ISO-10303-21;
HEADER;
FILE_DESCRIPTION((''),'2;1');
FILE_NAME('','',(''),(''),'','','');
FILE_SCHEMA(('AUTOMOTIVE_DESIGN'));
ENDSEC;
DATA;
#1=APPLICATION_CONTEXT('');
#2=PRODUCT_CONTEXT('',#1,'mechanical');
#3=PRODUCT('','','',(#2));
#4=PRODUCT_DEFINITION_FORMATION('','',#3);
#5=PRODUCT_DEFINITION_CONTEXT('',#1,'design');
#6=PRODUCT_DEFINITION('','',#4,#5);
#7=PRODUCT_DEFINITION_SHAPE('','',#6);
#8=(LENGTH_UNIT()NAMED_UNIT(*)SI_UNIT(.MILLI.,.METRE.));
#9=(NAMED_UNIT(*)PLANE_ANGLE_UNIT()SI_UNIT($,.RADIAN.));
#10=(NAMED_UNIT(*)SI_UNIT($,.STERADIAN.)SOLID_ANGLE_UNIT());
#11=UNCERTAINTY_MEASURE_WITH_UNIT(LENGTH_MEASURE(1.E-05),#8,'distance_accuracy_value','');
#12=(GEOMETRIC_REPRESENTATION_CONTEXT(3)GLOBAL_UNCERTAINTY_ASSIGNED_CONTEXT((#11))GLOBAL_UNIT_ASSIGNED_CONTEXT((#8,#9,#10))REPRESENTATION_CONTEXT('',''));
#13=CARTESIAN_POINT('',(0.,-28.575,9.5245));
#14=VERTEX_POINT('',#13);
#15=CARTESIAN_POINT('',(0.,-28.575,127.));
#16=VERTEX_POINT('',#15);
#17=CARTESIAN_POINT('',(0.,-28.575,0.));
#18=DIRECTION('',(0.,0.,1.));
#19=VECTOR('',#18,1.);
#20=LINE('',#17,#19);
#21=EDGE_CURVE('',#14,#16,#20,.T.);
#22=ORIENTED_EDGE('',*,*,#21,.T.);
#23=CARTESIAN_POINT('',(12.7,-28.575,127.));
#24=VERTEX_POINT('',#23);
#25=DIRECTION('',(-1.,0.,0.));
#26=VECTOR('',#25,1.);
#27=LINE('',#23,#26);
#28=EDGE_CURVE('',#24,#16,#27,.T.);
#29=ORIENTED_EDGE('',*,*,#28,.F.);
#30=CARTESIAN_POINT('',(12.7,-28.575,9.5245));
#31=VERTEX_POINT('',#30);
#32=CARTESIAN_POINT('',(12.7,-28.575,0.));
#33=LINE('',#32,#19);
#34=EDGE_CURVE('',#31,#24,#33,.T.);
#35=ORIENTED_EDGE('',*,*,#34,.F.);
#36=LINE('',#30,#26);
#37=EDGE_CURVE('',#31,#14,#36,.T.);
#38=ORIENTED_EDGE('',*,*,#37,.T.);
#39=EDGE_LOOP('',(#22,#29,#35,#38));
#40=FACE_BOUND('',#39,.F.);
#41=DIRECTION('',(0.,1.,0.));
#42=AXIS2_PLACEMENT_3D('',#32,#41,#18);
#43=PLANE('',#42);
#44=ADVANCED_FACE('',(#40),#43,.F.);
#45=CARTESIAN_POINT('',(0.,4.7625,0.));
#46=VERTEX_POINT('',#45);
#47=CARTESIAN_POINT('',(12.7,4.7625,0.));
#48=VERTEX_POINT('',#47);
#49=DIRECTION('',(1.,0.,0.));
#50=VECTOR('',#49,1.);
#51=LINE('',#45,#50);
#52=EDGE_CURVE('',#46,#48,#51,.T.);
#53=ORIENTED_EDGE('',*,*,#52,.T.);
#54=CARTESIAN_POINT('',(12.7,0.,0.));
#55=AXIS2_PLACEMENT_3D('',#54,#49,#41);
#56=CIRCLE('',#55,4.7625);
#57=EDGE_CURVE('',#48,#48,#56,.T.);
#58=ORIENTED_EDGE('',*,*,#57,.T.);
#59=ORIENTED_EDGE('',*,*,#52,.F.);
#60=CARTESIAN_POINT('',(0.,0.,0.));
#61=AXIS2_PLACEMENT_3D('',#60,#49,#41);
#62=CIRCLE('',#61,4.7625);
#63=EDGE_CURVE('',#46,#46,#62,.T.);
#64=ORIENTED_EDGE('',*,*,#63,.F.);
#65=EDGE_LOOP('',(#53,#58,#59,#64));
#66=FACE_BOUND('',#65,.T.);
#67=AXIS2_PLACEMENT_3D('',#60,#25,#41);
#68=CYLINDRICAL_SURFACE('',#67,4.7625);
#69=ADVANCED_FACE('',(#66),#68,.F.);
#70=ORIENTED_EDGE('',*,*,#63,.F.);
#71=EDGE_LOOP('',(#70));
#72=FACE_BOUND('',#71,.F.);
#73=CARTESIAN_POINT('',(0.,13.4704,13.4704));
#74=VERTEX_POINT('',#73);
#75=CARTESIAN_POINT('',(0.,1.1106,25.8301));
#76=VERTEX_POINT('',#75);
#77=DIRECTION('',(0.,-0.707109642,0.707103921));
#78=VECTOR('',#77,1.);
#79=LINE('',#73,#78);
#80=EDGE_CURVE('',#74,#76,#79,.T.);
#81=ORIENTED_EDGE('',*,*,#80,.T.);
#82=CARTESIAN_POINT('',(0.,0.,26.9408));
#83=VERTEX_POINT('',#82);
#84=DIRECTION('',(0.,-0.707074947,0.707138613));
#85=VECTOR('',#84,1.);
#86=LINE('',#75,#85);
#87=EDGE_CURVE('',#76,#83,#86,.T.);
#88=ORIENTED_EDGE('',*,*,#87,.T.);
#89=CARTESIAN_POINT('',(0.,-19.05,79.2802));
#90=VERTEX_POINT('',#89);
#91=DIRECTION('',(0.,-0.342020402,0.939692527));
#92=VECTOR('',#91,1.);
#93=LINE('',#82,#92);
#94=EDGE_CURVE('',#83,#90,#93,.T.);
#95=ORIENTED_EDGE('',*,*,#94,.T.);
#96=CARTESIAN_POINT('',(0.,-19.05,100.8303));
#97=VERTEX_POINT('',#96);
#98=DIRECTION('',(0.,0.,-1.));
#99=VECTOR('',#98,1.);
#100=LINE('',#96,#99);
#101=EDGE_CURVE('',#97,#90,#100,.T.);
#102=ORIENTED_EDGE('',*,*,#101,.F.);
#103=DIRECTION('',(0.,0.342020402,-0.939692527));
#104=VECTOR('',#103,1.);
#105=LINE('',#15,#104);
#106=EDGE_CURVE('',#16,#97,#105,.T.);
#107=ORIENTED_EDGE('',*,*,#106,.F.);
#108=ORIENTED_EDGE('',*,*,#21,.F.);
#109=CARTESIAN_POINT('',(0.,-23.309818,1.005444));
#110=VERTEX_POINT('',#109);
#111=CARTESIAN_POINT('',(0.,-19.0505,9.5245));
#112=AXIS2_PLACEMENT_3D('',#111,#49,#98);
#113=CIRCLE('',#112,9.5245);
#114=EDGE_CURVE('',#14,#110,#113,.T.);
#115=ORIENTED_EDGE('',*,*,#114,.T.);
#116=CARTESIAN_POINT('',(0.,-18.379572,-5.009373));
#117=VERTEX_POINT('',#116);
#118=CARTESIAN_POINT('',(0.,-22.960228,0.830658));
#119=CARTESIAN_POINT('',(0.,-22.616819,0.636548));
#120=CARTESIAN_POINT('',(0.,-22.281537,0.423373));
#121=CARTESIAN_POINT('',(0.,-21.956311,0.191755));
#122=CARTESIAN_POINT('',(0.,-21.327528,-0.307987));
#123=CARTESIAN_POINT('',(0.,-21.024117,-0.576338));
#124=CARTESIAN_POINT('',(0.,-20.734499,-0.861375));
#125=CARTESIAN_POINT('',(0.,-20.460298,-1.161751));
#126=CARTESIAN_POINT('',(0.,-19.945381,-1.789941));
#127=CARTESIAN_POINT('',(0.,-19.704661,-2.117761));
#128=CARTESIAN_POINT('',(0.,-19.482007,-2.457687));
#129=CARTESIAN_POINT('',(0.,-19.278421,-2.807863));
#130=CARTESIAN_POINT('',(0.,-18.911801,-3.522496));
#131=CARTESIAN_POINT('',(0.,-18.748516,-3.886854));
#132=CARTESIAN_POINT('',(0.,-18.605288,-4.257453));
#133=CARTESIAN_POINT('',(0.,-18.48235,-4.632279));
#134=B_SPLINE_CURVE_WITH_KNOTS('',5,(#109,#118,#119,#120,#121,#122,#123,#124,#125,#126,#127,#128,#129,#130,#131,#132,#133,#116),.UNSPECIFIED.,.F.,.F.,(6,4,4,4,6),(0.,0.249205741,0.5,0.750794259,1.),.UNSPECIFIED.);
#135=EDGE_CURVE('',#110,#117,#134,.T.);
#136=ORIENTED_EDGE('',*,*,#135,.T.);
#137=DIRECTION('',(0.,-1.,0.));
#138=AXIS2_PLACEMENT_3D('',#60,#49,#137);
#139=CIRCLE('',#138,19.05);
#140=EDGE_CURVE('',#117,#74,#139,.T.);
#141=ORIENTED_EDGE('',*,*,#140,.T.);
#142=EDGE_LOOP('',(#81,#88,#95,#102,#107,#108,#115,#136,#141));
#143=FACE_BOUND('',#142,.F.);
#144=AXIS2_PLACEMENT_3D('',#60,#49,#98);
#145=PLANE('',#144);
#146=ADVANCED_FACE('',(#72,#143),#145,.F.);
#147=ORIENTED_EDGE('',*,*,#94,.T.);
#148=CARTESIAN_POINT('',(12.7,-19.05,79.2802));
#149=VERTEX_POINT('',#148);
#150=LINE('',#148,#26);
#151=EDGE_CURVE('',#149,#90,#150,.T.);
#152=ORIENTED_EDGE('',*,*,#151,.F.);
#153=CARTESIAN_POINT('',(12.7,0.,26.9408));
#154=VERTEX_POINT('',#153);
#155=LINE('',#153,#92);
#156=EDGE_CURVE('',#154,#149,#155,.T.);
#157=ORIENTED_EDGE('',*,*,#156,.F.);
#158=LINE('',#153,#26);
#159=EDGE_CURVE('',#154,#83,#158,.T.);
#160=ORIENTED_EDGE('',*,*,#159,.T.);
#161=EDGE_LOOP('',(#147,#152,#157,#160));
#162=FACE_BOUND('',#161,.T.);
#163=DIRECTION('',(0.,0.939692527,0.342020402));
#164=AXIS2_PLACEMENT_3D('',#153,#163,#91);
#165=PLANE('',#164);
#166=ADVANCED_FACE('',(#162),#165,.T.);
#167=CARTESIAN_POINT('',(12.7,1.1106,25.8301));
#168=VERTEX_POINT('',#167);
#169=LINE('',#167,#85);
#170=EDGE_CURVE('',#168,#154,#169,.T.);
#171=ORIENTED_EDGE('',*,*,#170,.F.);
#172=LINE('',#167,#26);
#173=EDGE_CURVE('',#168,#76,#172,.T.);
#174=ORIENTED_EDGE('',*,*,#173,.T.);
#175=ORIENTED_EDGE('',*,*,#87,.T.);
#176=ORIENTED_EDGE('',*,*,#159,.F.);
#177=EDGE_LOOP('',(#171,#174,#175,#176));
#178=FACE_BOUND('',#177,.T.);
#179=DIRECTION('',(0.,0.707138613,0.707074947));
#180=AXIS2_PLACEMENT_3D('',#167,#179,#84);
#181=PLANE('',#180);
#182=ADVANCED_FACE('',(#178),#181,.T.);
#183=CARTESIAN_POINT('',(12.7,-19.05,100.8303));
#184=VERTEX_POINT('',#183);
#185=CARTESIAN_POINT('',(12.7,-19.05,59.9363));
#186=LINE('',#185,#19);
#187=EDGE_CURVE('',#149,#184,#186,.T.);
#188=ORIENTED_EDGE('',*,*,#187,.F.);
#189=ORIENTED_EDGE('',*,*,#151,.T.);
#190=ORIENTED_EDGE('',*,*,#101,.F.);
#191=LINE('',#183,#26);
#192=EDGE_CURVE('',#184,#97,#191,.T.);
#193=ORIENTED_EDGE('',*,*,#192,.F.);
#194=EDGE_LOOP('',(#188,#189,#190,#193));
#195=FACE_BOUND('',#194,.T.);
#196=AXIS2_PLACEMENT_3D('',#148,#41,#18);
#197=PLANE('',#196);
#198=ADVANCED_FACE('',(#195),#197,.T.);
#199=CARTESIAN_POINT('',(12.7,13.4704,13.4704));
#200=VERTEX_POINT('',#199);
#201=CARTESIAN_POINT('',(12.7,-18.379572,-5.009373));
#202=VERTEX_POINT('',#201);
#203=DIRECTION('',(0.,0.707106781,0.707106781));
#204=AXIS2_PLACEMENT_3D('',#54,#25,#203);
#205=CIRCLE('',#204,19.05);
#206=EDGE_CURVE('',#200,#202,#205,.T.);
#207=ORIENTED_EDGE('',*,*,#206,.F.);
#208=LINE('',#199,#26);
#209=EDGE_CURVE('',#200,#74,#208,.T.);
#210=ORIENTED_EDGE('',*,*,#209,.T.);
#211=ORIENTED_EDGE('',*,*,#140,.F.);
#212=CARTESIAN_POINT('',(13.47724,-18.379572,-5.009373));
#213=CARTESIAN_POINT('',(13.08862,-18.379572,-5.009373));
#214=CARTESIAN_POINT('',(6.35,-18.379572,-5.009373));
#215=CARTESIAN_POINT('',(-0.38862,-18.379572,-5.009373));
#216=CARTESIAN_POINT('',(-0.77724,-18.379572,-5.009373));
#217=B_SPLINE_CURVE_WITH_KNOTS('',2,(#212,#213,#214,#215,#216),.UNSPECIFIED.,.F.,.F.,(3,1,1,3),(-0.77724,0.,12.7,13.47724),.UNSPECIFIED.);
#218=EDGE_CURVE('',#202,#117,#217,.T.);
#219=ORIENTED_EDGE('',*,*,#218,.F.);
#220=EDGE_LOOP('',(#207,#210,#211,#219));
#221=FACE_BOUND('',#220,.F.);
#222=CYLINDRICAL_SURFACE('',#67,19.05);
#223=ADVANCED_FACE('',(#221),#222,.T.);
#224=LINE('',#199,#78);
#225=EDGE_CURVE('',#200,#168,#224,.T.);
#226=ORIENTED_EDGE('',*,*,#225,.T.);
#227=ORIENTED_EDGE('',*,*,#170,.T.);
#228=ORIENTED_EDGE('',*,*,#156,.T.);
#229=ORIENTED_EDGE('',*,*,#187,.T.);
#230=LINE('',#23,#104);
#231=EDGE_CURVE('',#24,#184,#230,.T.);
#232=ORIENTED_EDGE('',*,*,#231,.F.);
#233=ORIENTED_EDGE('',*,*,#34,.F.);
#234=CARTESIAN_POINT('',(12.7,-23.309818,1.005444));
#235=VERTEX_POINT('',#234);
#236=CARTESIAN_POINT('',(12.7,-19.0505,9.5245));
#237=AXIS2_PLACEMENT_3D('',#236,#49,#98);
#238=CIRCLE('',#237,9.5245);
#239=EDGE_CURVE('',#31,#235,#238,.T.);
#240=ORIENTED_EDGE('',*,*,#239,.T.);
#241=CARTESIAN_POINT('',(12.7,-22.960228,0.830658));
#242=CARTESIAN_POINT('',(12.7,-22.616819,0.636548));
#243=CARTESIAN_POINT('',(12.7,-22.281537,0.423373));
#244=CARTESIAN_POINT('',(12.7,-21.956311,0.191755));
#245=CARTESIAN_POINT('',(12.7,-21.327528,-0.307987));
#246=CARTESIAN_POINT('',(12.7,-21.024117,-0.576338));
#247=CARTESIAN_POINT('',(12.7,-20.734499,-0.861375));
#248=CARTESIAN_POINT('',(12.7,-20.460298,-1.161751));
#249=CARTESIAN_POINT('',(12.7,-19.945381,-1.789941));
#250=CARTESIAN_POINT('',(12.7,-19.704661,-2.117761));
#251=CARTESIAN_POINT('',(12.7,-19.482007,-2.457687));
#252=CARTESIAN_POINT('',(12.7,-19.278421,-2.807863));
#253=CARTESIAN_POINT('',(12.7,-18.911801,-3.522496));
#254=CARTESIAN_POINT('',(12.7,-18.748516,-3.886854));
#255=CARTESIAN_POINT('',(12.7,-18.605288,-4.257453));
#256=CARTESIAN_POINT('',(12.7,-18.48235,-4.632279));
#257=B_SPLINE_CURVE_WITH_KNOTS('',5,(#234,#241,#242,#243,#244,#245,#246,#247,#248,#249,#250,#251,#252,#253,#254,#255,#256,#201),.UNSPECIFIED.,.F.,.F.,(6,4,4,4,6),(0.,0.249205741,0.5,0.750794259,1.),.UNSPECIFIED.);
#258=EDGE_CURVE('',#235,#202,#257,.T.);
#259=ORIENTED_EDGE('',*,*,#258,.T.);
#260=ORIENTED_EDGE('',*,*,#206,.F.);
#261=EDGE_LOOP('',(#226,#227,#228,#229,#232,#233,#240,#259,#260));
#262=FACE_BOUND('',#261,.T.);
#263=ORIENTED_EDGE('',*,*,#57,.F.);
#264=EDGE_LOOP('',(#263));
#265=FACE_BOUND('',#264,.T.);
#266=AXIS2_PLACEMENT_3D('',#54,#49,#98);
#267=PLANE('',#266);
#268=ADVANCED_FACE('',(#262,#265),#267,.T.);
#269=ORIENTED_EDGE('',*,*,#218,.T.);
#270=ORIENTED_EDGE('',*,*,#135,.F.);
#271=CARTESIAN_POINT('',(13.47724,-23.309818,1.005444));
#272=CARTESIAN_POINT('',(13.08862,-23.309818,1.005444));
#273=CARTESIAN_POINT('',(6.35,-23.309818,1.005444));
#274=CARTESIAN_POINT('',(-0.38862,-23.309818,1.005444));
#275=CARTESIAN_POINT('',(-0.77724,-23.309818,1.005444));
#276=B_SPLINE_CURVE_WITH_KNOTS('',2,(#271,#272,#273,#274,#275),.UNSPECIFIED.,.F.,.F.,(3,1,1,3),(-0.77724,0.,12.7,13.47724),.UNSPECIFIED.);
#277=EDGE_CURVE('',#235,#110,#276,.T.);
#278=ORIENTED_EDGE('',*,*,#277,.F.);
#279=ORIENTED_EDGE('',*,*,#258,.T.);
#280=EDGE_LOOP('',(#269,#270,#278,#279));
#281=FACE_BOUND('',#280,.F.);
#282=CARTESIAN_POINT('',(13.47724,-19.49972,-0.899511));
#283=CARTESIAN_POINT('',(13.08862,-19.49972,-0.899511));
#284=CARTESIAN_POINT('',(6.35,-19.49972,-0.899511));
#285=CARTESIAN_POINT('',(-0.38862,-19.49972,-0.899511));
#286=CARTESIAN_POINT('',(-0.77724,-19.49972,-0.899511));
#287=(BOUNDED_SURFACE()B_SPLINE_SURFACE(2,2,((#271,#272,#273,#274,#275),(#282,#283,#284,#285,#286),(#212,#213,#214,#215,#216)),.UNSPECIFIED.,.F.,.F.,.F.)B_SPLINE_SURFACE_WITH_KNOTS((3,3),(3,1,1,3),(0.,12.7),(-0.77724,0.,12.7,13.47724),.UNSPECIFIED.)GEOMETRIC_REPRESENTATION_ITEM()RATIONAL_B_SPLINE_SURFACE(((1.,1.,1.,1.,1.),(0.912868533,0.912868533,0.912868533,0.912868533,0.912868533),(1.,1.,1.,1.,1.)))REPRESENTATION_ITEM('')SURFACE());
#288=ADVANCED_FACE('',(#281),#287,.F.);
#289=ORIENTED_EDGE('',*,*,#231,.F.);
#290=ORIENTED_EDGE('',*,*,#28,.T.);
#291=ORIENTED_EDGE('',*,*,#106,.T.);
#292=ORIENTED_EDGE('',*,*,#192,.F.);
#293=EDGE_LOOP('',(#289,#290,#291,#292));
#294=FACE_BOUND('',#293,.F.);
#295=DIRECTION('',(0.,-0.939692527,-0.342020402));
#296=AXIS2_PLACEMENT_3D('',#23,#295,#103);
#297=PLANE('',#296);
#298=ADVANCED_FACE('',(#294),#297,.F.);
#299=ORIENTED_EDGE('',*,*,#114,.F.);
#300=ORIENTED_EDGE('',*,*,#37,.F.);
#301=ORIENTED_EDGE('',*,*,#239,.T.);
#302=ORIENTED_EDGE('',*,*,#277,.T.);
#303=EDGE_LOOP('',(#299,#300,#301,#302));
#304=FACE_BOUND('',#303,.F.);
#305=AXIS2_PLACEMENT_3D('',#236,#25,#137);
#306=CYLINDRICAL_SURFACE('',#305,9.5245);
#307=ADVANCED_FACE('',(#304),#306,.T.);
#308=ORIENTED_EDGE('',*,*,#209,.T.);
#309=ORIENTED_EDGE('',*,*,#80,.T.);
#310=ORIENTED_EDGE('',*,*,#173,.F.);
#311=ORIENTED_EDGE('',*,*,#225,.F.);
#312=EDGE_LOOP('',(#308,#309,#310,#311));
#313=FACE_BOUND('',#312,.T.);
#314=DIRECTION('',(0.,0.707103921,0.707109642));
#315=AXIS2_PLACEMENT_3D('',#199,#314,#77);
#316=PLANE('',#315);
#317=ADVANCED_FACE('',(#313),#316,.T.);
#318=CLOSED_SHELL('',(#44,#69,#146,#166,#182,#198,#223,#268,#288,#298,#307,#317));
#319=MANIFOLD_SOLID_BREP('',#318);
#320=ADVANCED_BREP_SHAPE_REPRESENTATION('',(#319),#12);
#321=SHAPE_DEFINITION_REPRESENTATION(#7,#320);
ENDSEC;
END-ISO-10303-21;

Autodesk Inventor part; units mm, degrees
ref_plane "YZ Plane" through (0, 0, 0) normal (1, 0, 0) x (0, 1, 0)
ref_plane "XZ Plane" through (0, 0, 0) normal (0, 1, 0) x (-1, 0, 0)
ref_plane "XY Plane" through (0, 0, 0) normal (0, 0, 1) x (1, 0, 0)
sketch "Sketch1" plane through (0, 0, 0) normal (1, 0, 0) x (0, 1, 0)
  circle A0 centre (0, 0) radius 4.7625
  circle A1 centre (0, 0) radius 19.05
  dimension "d0" = 9.525
  dimension "d1" = 38.1
extrude "Extrusion1" add sketch "Sketch1" along normal blind 12.7
sketch "Sketch2" plane through (12.7, 0, 0) normal (1, 0, 0) x (0, 0, -1)
  circle A0 centre (0, 0) radius 19.05 projected
  line L0 (0, -19.05) -> (-50.8, -19.05)
  circle A1 centre (0, 0) radius 4.7625 projected
  line L1 (0, -19.05) -> (11.4002, -19.05)
  line L2 (-13.4704, 13.4704) -> (-25.8301, 1.1106)
  line L3 (0, 0) -> (-13.4704, 13.4704)
  line L4 (0, 0) -> (-19.05, 0)
  line L5 (-25.8301, 1.1106) -> (-26.9408, 0)
  line L6 (0, -19.05) -> (-127, -19.05)
  line L7 (0, -38.1) -> (0, -19.05)
  line L8 (-26.9408, 0) -> (-59.9363, -19.05)
  line L9 (0, -28.575) -> (-127, -28.575)
  line L10 (-127, -28.575) -> (-100.8303, -19.05)
  line L11 (-79.2802, -19.05) -> (16.9609, 15.9789)
  dimension "d6" = 50.8
  dimension "d7" = 0
  dimension "d8" = 180
  dimension "d9" = 45
  dimension "d10" = 45
  dimension "d11" = 17.4793
  dimension "d13" = 19.05
  dimension "d17" = 30
  dimension "d18" = 180
  dimension "d19" = 38.1
  dimension "d20" = 127
  dimension "d21" = 20
  dimension "d24" = 20
  dimension "d25" = 0
extrude "Extrusion2" add sketch "Sketch2" against normal blind 12.7 contours A0 L0 L6 L8 L11 | L7 L9 L10 L6 L0 | L11 L5 L2 A0
sketch "Sketch3" plane through (12.7, 0, 0) normal (1, 0, 0) x (0, 0, -1)
  line L0 (-59.9363, -19.05) -> (-26.9408, 0) projected
  line L1 (-26.9408, 0) -> (-79.2802, -19.05)
  line L2 (-100.8303, -19.05) -> (-59.9363, -19.05) projected
  line L3 (-79.2802, -19.05) -> (-59.9363, -19.05)
  line L4 (-26.9408, 0) -> (-59.9363, -19.05)
  point P0 (0, 0)
  dimension "d26" = 20
extrude "Extrusion3" add sketch "Sketch3" against normal blind 12.7
fillet "Fillet1" radius 9.525 1 edges at (6.35, -28.575, 0)
fillet "Fillet2" radius 9.525 2 edges at (6.35, -19.0505, 0) (6.35, -19.05, 0)
sketch "Sketch4" plane through (12.7, 0, 0) normal (1, 0, 0) x (0, 0, -1)
  point P0 (0, 0)
properties part number "Wedgelet" material "Steel"
